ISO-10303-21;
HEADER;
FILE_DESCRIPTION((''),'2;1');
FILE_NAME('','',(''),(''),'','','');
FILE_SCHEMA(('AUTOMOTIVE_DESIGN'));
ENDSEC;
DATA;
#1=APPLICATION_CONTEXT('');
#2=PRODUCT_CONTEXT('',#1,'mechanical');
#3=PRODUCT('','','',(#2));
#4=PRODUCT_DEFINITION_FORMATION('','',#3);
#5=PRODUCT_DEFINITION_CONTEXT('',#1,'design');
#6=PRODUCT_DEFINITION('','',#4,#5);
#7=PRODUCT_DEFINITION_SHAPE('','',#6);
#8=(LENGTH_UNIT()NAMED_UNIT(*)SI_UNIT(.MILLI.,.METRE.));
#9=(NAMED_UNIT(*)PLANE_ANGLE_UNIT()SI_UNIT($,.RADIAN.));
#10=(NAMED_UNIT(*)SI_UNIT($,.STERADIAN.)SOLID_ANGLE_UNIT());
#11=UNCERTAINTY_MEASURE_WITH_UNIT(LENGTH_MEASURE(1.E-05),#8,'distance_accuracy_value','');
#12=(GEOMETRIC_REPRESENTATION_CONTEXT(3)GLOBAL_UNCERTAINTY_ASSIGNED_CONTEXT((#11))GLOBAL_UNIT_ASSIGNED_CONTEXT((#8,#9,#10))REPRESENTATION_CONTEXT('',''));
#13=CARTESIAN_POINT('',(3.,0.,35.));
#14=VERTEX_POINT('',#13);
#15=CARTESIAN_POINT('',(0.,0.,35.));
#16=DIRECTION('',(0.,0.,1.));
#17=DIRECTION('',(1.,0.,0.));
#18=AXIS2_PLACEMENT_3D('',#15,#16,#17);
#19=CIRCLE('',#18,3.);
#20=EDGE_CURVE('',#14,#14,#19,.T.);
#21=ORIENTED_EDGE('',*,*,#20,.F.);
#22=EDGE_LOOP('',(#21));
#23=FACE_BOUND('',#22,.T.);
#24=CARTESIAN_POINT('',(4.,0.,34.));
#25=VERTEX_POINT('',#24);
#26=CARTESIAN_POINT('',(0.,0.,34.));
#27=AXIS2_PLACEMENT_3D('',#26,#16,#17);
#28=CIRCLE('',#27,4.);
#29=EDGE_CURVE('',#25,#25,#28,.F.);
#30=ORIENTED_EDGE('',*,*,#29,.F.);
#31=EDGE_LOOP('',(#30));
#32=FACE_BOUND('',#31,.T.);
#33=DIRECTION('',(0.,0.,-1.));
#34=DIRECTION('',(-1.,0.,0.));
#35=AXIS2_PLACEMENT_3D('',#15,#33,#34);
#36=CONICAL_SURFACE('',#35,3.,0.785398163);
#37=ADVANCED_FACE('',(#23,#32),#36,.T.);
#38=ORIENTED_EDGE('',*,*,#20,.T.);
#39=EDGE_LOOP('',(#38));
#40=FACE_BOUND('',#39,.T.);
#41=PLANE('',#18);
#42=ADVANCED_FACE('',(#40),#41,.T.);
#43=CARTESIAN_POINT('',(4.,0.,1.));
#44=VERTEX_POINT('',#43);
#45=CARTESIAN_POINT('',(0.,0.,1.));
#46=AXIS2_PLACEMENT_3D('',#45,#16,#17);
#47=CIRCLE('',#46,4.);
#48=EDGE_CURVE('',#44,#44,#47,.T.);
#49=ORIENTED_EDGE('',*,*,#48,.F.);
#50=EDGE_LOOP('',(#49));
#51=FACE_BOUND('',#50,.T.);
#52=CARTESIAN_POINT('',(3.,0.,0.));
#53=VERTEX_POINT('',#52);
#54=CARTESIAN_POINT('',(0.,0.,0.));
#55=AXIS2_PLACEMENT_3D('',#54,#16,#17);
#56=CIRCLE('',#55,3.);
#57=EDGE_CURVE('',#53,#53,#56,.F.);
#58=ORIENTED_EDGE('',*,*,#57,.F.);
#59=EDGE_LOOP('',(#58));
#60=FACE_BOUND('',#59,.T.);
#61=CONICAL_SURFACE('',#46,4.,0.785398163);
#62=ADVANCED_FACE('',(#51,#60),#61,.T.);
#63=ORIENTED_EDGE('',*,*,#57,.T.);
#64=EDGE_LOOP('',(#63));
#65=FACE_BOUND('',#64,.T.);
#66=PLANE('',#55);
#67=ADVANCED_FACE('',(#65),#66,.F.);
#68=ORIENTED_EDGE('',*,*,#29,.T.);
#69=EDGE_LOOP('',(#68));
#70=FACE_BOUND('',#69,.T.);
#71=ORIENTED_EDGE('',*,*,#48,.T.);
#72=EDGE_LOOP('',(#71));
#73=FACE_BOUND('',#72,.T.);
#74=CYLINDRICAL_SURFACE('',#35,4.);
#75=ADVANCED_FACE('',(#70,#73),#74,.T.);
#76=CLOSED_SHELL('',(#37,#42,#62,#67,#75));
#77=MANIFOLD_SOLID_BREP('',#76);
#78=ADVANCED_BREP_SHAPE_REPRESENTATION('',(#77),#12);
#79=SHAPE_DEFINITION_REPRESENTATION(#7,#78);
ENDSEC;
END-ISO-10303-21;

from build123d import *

# Parameters (mm, degrees)
ESQUISSE1_R          = 4
BASE_EXTRUSION_DEPTH = 35
CHANFREIN1_SIZE      = 1


with BuildPart() as part:
    # Esquisse1 → Base-Extrusion (new body)
    with BuildSketch(Plane.XY):
        Circle(ESQUISSE1_R)
    extrude(amount=BASE_EXTRUSION_DEPTH)

    # Chanfrein1
    chanfrein1_edges = [part.edges().sort_by_distance(p)[0] for p in [
        (-4, 0, 0),
        (-4, 0, 35),
    ]]
    chamfer(chanfrein1_edges, length=CHANFREIN1_SIZE)


solid = part.part
